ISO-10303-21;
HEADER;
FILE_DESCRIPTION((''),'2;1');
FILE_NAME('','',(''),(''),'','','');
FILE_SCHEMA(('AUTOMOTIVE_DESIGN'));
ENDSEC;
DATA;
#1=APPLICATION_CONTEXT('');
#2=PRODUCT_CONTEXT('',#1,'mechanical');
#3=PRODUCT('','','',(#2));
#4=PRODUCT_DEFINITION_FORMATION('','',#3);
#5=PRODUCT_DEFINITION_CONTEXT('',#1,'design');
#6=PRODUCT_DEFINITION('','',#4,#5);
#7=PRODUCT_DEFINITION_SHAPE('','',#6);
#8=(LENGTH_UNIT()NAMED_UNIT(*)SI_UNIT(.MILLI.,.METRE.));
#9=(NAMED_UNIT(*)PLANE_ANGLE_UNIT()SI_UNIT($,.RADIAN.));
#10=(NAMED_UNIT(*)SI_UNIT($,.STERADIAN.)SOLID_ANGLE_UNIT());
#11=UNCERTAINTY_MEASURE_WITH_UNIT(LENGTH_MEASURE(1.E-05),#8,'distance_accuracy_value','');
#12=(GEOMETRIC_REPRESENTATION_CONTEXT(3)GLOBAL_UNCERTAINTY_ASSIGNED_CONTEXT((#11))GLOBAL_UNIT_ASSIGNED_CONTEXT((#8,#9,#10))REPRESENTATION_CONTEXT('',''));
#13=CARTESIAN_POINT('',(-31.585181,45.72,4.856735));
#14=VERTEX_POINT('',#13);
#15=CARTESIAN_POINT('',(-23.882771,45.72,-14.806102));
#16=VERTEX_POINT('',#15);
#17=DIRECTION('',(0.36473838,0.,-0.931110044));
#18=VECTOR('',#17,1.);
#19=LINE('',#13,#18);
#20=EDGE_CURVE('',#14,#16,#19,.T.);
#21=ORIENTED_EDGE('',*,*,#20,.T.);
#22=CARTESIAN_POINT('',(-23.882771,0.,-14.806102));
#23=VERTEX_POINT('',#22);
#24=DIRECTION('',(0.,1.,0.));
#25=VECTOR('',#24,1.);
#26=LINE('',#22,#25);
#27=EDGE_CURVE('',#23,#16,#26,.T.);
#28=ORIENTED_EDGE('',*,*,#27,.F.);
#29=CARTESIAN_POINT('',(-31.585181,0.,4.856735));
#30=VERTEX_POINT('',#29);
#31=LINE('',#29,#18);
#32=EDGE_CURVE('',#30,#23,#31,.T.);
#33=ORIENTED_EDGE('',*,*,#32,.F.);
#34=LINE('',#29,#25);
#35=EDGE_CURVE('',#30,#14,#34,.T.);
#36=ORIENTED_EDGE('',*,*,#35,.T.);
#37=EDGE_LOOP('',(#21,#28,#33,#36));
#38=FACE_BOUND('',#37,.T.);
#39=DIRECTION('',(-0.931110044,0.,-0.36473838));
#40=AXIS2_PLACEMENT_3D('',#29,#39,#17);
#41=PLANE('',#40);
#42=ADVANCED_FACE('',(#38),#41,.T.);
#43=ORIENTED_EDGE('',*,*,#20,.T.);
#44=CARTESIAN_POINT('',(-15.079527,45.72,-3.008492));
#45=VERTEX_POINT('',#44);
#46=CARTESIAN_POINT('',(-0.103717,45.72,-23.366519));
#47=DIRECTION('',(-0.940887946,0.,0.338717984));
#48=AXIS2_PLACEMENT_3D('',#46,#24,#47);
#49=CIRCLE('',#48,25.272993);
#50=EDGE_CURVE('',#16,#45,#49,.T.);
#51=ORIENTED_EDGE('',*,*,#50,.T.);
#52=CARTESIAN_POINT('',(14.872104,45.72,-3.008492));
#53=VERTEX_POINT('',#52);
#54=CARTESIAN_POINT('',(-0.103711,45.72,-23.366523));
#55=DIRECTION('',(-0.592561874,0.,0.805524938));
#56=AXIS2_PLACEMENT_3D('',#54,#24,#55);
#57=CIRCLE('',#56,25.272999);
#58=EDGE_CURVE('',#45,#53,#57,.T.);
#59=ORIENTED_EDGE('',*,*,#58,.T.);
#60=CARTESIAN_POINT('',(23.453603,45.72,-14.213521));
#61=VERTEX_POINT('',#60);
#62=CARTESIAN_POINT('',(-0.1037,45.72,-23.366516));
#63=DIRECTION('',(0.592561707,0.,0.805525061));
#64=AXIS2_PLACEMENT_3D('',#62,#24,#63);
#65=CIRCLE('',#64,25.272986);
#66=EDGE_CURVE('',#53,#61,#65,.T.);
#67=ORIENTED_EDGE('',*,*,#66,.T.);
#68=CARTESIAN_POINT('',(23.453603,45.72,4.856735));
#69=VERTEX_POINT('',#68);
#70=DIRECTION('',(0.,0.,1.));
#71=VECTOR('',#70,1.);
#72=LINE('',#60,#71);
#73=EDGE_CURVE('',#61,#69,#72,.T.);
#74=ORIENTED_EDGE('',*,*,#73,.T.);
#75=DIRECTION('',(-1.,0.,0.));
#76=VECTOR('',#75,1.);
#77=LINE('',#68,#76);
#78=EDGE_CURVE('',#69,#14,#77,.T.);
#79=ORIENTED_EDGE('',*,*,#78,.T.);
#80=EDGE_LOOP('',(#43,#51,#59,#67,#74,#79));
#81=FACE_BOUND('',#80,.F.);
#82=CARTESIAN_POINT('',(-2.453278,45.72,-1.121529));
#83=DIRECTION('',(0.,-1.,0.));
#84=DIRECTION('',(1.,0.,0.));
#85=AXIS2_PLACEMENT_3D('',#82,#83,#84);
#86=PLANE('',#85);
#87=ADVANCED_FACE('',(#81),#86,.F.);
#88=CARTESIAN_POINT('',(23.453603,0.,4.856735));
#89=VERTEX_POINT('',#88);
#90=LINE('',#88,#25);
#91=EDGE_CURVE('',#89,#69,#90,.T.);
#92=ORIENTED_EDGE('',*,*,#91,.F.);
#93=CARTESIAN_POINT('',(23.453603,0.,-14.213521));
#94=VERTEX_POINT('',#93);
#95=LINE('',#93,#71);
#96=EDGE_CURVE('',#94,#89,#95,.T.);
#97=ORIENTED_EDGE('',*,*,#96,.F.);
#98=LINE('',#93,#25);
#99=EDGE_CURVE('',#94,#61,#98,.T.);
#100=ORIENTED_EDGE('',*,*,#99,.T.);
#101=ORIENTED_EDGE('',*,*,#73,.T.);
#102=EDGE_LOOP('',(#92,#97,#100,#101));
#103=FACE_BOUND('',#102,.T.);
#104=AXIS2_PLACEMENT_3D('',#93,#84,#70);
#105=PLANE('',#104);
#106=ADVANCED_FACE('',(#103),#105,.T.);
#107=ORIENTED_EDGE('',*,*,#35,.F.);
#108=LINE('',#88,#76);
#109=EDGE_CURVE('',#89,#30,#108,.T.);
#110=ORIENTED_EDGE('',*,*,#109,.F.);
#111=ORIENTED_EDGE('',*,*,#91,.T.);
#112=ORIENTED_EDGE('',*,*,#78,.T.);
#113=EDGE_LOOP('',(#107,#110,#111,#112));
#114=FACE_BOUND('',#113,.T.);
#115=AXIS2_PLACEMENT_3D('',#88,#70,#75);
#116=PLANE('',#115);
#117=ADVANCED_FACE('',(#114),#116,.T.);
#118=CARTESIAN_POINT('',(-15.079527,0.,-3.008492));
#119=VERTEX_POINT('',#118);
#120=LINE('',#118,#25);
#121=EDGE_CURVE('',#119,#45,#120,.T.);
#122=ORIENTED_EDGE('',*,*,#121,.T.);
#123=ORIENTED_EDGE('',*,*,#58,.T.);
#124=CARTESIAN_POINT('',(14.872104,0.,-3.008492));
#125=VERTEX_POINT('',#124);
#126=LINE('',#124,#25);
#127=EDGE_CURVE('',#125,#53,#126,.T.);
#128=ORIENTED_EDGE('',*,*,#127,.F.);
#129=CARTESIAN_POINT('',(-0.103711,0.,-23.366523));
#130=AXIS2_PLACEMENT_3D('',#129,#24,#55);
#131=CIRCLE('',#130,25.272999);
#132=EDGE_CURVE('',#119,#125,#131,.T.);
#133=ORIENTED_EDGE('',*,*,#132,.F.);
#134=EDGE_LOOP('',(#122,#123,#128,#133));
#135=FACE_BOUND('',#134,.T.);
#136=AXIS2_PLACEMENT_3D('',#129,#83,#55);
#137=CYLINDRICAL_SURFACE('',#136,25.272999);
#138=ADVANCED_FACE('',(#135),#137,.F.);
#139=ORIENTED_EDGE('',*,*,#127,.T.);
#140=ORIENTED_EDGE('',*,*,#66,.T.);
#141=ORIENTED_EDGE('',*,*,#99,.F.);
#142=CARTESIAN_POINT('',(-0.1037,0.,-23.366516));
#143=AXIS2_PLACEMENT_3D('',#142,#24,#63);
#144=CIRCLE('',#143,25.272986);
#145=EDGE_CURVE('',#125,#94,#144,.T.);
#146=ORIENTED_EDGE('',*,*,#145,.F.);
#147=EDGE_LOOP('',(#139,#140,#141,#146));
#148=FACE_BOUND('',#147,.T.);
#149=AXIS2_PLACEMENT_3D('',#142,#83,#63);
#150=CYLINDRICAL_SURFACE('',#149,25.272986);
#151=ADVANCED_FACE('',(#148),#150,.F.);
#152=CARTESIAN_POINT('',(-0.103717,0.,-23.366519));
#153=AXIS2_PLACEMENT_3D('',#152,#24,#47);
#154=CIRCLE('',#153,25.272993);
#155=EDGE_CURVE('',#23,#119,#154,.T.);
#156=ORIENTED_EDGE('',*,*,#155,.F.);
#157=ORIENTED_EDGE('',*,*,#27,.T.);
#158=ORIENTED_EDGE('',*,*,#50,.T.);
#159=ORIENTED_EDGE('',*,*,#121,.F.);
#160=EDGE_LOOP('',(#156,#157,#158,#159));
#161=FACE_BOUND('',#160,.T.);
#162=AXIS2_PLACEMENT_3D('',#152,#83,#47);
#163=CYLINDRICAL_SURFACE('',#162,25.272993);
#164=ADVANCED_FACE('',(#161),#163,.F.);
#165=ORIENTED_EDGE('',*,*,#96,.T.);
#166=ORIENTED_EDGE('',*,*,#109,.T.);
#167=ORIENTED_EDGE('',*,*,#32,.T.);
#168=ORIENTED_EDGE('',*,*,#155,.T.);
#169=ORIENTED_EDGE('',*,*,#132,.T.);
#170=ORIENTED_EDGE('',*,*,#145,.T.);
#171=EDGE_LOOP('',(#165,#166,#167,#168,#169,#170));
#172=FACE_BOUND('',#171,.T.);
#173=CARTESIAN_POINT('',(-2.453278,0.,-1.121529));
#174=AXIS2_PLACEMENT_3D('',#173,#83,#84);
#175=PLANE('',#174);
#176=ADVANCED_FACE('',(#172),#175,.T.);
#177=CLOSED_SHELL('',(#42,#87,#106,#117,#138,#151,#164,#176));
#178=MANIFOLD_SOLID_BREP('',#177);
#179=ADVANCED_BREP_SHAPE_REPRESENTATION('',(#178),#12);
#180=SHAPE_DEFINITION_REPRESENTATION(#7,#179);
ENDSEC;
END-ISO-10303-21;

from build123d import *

# Parameters (mm, degrees)
F1_DEPTH = 45.72


with BuildPart() as f1:
    # F0 (on Front) → F1 (new body)
    with BuildSketch(Plane.XZ):
        with BuildLine():
            ThreePointArc((-15.079527, -3.008492), (-0.103711, 1.906476), (14.872104, -3.008492))
            ThreePointArc((14.872104, -3.008492), (19.960902, -7.999812), (23.453603, -14.213521))
            Line((23.453603, -14.213521), (23.453603, -3.008492))
            Line((23.453603, -3.008492), (23.453603, 4.856735))
            Line((23.453603, 4.856735), (-23.453603, 4.856735))
            Line((-23.453603, 4.856735), (-31.585181, 4.856735))
            Line((-31.585181, 4.856735), (-23.882771, -14.806102))
            ThreePointArc((-23.882771, -14.806102), (-20.359106, -8.252176), (-15.079527, -3.008492))
        make_face()
    extrude(amount=-F1_DEPTH)


solid = f1.part
